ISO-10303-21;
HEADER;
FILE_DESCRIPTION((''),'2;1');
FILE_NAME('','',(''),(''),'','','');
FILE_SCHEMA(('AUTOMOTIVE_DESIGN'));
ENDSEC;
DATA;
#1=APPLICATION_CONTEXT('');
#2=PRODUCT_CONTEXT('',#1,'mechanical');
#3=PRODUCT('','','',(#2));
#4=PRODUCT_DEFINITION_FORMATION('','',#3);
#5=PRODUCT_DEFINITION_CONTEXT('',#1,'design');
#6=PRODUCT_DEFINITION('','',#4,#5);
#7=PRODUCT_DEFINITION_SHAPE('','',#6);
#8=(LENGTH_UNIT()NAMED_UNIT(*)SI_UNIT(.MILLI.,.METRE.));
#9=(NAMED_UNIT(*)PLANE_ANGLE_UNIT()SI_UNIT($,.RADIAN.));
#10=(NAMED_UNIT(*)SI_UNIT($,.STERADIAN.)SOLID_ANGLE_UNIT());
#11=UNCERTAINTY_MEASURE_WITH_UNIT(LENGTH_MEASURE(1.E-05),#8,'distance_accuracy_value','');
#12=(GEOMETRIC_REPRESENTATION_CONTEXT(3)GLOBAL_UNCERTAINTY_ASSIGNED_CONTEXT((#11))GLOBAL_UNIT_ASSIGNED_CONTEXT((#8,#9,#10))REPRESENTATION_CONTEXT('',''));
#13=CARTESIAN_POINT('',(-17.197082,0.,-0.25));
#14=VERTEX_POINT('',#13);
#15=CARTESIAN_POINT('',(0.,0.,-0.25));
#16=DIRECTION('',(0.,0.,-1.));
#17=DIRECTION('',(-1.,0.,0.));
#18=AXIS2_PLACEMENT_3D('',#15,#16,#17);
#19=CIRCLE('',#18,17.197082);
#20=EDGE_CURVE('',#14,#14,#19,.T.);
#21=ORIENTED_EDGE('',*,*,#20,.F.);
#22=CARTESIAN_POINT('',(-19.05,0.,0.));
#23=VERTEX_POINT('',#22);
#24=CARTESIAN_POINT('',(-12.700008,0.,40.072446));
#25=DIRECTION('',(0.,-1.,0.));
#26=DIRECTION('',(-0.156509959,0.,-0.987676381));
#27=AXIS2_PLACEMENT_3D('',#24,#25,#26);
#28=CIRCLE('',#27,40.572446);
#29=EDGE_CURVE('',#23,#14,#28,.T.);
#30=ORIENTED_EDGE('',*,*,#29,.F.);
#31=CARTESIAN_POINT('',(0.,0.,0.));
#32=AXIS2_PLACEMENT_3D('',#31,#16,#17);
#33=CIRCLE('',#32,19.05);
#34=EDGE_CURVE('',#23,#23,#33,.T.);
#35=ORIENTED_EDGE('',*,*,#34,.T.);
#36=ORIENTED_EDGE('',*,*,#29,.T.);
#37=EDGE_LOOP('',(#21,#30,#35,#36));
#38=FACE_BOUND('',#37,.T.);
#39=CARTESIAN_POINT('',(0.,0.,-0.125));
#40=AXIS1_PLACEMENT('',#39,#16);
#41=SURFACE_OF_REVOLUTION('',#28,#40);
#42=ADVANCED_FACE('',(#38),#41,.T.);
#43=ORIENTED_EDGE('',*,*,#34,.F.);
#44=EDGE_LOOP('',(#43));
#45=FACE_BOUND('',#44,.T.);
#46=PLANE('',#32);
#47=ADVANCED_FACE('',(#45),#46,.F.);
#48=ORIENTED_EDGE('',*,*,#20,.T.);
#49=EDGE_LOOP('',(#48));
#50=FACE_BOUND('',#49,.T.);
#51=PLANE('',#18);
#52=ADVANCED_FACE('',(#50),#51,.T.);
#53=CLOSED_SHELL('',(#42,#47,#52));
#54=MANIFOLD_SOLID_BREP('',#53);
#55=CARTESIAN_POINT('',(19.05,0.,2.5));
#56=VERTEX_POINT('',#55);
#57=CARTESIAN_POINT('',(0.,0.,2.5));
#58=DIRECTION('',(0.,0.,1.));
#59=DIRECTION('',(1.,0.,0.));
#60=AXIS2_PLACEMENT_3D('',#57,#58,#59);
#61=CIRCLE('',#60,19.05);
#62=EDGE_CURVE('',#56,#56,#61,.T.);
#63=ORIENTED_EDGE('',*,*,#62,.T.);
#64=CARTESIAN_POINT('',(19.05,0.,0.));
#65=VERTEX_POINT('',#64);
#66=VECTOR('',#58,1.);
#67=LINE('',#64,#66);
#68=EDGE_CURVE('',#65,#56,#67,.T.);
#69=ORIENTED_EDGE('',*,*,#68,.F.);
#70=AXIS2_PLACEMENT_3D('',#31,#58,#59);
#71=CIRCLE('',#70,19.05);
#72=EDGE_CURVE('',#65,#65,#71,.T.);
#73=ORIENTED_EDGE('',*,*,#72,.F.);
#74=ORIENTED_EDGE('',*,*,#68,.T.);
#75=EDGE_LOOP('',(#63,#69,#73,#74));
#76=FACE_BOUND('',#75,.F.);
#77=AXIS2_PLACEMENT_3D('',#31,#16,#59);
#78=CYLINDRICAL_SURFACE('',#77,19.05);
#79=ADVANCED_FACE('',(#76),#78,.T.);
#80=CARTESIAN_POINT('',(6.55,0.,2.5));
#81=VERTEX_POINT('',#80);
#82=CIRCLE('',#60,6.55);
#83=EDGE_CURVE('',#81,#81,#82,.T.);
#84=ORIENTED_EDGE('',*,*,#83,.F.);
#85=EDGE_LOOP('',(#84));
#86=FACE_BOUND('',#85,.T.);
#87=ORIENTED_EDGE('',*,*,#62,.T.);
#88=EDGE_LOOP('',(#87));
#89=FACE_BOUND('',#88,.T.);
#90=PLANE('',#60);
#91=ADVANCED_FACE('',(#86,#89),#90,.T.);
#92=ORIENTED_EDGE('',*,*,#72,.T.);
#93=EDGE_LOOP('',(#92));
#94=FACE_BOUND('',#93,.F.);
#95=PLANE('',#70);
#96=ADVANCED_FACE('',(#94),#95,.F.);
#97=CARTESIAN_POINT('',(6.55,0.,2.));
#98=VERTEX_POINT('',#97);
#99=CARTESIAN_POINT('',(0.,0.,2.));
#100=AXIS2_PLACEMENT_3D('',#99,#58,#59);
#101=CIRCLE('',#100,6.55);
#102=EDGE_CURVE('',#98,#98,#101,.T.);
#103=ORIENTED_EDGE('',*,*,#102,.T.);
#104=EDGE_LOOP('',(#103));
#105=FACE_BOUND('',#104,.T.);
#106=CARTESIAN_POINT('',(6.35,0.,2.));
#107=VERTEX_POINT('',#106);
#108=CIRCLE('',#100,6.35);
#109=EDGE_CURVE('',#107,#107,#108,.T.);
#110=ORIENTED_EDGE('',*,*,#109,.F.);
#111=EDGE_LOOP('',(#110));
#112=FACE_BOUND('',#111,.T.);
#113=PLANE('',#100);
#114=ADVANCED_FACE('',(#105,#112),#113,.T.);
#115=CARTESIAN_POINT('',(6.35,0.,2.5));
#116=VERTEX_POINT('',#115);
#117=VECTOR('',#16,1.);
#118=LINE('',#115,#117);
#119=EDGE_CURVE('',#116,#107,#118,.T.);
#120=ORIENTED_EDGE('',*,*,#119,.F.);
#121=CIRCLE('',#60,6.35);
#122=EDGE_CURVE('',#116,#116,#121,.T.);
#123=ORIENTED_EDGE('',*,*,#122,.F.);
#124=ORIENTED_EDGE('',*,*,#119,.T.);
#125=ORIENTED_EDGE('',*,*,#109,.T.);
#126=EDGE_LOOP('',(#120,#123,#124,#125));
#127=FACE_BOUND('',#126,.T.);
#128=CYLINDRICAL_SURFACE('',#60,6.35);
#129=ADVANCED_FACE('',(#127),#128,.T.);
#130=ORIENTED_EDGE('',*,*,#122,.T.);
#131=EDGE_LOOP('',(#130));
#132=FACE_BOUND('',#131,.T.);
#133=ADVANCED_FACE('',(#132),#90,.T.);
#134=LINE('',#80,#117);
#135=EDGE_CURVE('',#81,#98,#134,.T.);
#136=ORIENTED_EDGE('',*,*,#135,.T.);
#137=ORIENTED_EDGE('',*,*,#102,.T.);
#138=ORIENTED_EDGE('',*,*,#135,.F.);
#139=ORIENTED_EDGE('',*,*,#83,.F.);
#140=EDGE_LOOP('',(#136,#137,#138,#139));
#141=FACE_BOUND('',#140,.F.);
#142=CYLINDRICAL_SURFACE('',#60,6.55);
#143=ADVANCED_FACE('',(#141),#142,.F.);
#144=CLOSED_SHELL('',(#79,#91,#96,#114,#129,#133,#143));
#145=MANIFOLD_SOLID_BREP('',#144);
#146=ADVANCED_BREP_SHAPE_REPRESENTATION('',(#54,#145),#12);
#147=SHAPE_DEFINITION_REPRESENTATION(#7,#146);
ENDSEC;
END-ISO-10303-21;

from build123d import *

# Parameters (mm, degrees)
F0_R     = 19.05
F1_DEPTH = 2.5
F2_R     = 6.55
F2_R_2   = 6.35
F3_DEPTH = 0.5


with BuildPart() as f1:
    # F0 (on Top) → F1 (new body)
    with BuildSketch(Plane.XY):
        Circle(F0_R)
    extrude(amount=F1_DEPTH)

    # F2 (on face) → F3 (cut)
    with BuildSketch(Plane.XY.offset(2.5)):
        Circle(F2_R)
        Circle(F2_R_2, mode=Mode.SUBTRACT)
    extrude(amount=-F3_DEPTH, mode=Mode.SUBTRACT)


with BuildPart() as f5:
    # F4 (on Front) → F5 (revolve)
    with BuildSketch(Plane.XZ):
        with BuildLine():
            Line((0, 0), (-19.05, 0))
            ThreePointArc((-19.05, 0), (-18.124981, -0.135675), (-17.197082, -0.25))
            Line((-17.197082, -0.25), (0, -0.25))
            Line((0, -0.25), (0, 0))
        make_face()
    revolve(axis=Axis((0, 0, -0.125), (0, 0, -1)))


solid = Compound([f1.part, f5.part])
